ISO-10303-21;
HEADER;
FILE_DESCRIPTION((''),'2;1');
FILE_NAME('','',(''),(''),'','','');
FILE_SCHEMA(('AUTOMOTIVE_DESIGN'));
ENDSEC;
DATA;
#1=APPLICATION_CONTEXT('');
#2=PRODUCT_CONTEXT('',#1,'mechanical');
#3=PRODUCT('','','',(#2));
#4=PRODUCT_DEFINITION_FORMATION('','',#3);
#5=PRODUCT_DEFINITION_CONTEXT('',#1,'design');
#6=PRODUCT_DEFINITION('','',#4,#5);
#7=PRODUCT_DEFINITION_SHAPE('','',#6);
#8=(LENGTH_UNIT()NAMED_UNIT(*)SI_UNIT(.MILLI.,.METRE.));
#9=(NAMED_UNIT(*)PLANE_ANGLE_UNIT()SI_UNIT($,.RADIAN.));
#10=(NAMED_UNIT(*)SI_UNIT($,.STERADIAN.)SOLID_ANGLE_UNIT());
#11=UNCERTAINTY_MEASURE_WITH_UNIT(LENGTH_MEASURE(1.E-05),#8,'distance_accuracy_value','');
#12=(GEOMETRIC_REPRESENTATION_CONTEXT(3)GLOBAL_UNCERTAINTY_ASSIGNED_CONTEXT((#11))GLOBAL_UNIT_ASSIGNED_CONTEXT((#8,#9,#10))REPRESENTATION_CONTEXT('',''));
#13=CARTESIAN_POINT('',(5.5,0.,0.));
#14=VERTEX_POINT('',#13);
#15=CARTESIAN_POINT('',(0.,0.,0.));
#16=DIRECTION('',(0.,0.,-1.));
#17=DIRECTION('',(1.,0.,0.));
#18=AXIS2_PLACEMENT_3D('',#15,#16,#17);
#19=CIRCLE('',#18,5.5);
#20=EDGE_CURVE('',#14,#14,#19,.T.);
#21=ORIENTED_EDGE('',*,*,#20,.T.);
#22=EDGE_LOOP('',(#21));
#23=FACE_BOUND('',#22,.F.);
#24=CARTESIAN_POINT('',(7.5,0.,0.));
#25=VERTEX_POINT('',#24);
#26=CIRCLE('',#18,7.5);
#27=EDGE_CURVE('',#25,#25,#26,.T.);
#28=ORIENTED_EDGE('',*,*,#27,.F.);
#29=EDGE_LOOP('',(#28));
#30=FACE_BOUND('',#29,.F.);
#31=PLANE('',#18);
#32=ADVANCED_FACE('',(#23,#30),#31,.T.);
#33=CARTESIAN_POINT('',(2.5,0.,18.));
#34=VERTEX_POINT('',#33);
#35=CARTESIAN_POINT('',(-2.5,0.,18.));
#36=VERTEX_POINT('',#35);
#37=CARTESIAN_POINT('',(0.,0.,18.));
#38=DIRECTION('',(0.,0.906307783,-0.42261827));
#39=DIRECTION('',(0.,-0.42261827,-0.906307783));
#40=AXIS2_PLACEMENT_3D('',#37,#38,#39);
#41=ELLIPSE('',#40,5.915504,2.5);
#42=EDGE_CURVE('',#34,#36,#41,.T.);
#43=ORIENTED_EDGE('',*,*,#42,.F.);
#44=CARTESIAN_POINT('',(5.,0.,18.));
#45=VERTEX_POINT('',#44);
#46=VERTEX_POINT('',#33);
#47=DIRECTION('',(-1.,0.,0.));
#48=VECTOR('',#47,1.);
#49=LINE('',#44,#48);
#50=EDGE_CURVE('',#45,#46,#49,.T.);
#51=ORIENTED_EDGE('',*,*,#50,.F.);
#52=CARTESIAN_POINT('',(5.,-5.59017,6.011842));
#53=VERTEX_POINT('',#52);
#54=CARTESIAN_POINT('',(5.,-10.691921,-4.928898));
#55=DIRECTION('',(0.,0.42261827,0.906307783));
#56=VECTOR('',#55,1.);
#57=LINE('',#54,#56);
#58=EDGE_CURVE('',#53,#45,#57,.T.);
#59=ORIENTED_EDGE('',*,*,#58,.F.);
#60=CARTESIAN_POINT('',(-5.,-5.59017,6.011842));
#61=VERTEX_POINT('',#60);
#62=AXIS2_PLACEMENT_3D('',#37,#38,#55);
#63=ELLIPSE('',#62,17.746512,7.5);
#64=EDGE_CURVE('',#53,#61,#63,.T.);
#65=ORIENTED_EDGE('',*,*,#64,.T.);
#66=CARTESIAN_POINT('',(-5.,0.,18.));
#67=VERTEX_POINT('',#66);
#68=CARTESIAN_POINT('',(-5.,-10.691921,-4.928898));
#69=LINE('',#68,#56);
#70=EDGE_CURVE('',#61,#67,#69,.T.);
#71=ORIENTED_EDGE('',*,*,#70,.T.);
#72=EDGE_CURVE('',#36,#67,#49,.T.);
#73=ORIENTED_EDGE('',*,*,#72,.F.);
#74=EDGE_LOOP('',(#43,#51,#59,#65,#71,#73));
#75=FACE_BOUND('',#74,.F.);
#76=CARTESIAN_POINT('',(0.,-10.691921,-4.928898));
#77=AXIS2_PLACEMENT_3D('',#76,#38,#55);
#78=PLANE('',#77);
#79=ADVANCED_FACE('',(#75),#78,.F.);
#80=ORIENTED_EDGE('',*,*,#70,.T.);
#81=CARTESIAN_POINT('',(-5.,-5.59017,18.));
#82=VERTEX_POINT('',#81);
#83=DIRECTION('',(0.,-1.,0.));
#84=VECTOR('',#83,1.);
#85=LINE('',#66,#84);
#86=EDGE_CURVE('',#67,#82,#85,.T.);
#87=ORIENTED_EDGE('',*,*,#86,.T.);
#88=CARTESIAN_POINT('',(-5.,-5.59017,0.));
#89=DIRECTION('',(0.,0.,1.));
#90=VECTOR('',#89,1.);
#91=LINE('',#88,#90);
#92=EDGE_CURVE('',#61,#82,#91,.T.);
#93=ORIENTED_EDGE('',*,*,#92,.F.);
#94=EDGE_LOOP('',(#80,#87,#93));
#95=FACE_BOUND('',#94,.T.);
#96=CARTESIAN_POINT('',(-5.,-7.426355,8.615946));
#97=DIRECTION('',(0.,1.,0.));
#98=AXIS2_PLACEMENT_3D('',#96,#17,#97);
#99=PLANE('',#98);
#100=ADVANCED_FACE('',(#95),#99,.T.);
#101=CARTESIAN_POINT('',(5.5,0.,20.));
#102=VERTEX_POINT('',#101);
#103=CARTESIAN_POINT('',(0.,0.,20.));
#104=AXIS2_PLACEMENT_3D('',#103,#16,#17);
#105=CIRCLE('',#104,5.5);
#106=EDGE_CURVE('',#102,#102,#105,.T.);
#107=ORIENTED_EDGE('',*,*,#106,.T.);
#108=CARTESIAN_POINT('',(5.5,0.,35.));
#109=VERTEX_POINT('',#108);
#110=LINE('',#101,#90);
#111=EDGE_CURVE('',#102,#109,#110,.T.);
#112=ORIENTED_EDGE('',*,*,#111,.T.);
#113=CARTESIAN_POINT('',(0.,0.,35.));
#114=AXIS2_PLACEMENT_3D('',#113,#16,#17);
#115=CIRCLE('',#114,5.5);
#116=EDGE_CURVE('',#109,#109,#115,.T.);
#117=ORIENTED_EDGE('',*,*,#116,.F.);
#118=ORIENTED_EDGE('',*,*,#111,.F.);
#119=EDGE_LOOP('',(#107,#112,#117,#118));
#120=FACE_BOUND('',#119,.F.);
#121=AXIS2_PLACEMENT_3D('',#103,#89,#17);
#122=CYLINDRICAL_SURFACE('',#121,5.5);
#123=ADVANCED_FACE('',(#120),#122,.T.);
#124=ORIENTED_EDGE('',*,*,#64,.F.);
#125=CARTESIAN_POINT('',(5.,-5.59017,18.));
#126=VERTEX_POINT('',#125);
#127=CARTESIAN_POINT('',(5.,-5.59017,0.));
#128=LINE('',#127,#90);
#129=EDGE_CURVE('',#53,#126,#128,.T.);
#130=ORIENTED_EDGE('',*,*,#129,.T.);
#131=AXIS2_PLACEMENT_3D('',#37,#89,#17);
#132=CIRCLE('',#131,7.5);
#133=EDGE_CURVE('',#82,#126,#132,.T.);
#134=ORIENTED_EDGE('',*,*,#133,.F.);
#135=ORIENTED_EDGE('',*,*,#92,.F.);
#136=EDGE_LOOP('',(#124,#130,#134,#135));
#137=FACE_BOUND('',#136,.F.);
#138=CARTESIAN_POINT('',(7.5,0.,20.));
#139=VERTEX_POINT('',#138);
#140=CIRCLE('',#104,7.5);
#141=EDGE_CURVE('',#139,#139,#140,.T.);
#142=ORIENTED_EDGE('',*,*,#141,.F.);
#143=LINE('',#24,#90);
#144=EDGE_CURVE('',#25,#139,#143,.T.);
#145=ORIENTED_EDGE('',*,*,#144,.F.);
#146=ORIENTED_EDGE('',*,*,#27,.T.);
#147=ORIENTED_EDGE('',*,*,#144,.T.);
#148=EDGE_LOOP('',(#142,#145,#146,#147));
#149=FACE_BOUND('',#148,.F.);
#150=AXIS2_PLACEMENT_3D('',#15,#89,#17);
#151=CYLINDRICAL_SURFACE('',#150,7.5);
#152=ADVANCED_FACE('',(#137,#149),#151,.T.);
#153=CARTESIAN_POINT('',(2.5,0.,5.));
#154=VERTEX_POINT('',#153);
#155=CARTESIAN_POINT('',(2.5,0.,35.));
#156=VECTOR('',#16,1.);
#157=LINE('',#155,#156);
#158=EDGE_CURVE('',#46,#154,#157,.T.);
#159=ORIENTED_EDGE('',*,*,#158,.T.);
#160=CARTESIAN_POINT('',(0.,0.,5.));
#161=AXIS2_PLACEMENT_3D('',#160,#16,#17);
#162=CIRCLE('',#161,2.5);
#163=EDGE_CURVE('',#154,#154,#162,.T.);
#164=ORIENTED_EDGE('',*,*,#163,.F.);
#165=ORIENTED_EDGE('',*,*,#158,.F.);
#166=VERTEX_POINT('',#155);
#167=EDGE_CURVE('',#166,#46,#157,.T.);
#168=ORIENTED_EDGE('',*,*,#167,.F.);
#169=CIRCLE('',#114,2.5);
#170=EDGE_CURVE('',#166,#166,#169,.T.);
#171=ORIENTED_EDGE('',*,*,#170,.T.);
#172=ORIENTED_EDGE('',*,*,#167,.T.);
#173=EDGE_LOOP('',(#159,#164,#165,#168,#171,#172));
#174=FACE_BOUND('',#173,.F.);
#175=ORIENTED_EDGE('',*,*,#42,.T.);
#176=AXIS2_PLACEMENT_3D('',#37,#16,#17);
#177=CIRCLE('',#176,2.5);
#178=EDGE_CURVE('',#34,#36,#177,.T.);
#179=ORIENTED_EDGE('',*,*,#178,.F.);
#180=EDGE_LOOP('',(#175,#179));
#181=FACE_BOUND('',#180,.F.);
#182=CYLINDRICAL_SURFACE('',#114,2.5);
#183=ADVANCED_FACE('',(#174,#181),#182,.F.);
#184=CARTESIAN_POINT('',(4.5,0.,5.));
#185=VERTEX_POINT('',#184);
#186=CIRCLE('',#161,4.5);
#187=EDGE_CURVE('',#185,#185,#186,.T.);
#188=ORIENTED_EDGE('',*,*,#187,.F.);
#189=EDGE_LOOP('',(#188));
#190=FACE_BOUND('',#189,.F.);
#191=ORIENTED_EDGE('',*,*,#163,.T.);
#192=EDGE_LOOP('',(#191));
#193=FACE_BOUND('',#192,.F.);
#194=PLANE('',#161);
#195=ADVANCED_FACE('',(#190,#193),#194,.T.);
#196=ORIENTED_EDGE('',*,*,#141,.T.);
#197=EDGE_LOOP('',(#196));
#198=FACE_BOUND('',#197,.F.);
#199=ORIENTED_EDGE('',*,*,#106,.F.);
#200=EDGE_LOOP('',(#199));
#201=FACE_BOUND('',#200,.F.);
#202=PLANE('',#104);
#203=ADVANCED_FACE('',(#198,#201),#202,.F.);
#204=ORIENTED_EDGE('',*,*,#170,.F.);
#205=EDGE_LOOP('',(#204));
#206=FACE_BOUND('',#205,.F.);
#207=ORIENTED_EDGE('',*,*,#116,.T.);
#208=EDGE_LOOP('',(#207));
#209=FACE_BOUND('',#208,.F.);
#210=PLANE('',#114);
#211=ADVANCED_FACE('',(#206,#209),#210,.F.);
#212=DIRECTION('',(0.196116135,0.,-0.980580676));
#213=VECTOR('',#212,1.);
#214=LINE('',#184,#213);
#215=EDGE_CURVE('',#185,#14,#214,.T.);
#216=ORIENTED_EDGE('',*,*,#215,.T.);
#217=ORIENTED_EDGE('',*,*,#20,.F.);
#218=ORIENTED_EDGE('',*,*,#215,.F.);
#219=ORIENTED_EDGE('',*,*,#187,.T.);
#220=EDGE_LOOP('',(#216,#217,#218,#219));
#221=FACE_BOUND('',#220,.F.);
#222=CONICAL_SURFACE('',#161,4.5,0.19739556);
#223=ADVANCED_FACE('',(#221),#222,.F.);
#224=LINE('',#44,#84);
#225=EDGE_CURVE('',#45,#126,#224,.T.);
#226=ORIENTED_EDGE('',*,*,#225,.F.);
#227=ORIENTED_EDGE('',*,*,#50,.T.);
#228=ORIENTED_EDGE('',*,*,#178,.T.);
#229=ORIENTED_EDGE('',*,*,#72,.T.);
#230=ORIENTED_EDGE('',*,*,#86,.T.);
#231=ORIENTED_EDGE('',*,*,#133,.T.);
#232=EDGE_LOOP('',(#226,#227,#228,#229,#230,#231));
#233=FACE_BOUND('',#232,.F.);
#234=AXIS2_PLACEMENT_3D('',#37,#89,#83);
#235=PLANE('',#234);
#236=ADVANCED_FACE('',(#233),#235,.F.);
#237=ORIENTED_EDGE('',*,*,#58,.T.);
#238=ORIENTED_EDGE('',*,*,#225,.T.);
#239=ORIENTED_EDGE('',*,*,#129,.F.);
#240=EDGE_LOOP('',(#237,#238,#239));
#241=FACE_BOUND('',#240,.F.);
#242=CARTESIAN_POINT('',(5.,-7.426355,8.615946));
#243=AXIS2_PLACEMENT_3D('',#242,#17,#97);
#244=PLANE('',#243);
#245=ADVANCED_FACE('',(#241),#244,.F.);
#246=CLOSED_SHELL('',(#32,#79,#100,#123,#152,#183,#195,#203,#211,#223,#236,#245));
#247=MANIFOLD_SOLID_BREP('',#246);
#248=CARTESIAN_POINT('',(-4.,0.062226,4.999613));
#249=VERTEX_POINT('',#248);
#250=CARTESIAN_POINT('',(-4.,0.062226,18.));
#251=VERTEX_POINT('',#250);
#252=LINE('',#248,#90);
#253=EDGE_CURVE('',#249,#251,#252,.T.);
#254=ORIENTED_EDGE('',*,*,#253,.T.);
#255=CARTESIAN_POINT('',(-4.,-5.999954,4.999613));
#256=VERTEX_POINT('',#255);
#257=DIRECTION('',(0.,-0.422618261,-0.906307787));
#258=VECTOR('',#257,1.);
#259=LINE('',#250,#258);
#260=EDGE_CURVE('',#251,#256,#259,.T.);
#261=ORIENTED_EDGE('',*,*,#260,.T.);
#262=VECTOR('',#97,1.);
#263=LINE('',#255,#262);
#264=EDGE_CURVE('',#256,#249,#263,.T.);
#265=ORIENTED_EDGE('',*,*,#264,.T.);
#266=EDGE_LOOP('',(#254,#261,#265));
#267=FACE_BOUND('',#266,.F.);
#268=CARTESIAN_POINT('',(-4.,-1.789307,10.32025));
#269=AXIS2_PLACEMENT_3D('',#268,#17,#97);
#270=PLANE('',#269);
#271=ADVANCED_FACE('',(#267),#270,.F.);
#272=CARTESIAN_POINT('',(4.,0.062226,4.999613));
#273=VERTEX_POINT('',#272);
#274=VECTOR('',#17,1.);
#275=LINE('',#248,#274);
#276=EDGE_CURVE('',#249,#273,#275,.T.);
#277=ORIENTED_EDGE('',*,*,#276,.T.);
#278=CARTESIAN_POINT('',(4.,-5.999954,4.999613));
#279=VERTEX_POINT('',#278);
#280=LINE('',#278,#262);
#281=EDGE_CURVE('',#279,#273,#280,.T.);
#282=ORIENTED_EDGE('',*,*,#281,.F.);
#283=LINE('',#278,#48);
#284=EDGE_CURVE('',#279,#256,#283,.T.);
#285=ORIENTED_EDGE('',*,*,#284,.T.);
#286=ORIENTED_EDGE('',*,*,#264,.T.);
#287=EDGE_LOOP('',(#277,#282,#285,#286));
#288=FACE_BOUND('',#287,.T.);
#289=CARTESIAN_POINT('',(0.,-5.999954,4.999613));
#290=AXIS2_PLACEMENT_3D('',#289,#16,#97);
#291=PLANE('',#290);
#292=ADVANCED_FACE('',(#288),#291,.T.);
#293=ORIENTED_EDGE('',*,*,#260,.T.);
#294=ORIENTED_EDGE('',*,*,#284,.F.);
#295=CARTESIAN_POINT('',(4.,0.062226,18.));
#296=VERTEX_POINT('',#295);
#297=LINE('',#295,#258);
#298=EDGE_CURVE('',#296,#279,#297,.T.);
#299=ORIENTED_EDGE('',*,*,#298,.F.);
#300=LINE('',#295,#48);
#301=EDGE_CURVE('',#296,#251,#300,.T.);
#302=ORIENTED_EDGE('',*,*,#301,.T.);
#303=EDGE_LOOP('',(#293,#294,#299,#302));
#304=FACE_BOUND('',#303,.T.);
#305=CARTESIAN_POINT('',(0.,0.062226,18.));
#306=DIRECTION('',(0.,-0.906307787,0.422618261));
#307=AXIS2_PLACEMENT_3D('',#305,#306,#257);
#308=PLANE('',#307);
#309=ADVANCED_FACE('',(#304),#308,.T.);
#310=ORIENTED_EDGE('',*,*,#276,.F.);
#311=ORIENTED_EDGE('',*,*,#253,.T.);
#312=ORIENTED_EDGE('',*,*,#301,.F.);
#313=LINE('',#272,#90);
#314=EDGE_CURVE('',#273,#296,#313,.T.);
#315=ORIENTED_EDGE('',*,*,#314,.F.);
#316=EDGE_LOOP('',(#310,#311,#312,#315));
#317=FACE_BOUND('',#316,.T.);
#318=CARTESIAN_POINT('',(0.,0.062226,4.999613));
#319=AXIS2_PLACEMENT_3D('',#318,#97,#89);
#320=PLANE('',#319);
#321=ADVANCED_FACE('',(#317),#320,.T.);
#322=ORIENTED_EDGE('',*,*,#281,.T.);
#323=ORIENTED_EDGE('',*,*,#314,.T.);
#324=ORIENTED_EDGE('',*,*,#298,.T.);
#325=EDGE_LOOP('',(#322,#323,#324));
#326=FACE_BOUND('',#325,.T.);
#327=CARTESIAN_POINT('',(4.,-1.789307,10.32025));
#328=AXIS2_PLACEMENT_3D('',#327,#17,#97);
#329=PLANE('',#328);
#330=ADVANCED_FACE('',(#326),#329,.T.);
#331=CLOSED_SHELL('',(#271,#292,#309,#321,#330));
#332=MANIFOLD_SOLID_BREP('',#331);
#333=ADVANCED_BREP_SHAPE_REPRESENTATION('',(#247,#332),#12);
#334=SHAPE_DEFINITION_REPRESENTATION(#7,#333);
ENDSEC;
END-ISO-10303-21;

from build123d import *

# Parameters (mm, degrees)
F3_DEPTH = 5
F5_DEPTH = 4


with BuildPart() as f1:
    # F0 (on Front) → F1 (revolve)
    with BuildSketch(Plane.XZ):
        Polygon((5.5, 0), (7.5, 0), (7.5, 20), (5.5, 20), (5.5, 35), (2.5, 35), (2.5, 5), (4.5, 5), align=None)
    revolve(axis=Axis((0, 0, 9.491472), (0, 0, -1)))

    # F2 (on Right) → F3 (cut, symmetric)
    with BuildSketch(Plane.YZ):
        Polygon((-10.691921, 18), (-10.691921, -4.928898), (0, 18), align=None)
    extrude(amount=F3_DEPTH, both=True, mode=Mode.SUBTRACT)


with BuildPart() as f5:
    # F4 (on Right) → F5 (new body, symmetric)
    with BuildSketch(Plane.YZ):
        Polygon((-5.999954, 4.999613), (0.062226, 4.999613), (0.062226, 18), align=None)
    extrude(amount=F5_DEPTH, both=True)


solid = Compound([f1.part, f5.part])
